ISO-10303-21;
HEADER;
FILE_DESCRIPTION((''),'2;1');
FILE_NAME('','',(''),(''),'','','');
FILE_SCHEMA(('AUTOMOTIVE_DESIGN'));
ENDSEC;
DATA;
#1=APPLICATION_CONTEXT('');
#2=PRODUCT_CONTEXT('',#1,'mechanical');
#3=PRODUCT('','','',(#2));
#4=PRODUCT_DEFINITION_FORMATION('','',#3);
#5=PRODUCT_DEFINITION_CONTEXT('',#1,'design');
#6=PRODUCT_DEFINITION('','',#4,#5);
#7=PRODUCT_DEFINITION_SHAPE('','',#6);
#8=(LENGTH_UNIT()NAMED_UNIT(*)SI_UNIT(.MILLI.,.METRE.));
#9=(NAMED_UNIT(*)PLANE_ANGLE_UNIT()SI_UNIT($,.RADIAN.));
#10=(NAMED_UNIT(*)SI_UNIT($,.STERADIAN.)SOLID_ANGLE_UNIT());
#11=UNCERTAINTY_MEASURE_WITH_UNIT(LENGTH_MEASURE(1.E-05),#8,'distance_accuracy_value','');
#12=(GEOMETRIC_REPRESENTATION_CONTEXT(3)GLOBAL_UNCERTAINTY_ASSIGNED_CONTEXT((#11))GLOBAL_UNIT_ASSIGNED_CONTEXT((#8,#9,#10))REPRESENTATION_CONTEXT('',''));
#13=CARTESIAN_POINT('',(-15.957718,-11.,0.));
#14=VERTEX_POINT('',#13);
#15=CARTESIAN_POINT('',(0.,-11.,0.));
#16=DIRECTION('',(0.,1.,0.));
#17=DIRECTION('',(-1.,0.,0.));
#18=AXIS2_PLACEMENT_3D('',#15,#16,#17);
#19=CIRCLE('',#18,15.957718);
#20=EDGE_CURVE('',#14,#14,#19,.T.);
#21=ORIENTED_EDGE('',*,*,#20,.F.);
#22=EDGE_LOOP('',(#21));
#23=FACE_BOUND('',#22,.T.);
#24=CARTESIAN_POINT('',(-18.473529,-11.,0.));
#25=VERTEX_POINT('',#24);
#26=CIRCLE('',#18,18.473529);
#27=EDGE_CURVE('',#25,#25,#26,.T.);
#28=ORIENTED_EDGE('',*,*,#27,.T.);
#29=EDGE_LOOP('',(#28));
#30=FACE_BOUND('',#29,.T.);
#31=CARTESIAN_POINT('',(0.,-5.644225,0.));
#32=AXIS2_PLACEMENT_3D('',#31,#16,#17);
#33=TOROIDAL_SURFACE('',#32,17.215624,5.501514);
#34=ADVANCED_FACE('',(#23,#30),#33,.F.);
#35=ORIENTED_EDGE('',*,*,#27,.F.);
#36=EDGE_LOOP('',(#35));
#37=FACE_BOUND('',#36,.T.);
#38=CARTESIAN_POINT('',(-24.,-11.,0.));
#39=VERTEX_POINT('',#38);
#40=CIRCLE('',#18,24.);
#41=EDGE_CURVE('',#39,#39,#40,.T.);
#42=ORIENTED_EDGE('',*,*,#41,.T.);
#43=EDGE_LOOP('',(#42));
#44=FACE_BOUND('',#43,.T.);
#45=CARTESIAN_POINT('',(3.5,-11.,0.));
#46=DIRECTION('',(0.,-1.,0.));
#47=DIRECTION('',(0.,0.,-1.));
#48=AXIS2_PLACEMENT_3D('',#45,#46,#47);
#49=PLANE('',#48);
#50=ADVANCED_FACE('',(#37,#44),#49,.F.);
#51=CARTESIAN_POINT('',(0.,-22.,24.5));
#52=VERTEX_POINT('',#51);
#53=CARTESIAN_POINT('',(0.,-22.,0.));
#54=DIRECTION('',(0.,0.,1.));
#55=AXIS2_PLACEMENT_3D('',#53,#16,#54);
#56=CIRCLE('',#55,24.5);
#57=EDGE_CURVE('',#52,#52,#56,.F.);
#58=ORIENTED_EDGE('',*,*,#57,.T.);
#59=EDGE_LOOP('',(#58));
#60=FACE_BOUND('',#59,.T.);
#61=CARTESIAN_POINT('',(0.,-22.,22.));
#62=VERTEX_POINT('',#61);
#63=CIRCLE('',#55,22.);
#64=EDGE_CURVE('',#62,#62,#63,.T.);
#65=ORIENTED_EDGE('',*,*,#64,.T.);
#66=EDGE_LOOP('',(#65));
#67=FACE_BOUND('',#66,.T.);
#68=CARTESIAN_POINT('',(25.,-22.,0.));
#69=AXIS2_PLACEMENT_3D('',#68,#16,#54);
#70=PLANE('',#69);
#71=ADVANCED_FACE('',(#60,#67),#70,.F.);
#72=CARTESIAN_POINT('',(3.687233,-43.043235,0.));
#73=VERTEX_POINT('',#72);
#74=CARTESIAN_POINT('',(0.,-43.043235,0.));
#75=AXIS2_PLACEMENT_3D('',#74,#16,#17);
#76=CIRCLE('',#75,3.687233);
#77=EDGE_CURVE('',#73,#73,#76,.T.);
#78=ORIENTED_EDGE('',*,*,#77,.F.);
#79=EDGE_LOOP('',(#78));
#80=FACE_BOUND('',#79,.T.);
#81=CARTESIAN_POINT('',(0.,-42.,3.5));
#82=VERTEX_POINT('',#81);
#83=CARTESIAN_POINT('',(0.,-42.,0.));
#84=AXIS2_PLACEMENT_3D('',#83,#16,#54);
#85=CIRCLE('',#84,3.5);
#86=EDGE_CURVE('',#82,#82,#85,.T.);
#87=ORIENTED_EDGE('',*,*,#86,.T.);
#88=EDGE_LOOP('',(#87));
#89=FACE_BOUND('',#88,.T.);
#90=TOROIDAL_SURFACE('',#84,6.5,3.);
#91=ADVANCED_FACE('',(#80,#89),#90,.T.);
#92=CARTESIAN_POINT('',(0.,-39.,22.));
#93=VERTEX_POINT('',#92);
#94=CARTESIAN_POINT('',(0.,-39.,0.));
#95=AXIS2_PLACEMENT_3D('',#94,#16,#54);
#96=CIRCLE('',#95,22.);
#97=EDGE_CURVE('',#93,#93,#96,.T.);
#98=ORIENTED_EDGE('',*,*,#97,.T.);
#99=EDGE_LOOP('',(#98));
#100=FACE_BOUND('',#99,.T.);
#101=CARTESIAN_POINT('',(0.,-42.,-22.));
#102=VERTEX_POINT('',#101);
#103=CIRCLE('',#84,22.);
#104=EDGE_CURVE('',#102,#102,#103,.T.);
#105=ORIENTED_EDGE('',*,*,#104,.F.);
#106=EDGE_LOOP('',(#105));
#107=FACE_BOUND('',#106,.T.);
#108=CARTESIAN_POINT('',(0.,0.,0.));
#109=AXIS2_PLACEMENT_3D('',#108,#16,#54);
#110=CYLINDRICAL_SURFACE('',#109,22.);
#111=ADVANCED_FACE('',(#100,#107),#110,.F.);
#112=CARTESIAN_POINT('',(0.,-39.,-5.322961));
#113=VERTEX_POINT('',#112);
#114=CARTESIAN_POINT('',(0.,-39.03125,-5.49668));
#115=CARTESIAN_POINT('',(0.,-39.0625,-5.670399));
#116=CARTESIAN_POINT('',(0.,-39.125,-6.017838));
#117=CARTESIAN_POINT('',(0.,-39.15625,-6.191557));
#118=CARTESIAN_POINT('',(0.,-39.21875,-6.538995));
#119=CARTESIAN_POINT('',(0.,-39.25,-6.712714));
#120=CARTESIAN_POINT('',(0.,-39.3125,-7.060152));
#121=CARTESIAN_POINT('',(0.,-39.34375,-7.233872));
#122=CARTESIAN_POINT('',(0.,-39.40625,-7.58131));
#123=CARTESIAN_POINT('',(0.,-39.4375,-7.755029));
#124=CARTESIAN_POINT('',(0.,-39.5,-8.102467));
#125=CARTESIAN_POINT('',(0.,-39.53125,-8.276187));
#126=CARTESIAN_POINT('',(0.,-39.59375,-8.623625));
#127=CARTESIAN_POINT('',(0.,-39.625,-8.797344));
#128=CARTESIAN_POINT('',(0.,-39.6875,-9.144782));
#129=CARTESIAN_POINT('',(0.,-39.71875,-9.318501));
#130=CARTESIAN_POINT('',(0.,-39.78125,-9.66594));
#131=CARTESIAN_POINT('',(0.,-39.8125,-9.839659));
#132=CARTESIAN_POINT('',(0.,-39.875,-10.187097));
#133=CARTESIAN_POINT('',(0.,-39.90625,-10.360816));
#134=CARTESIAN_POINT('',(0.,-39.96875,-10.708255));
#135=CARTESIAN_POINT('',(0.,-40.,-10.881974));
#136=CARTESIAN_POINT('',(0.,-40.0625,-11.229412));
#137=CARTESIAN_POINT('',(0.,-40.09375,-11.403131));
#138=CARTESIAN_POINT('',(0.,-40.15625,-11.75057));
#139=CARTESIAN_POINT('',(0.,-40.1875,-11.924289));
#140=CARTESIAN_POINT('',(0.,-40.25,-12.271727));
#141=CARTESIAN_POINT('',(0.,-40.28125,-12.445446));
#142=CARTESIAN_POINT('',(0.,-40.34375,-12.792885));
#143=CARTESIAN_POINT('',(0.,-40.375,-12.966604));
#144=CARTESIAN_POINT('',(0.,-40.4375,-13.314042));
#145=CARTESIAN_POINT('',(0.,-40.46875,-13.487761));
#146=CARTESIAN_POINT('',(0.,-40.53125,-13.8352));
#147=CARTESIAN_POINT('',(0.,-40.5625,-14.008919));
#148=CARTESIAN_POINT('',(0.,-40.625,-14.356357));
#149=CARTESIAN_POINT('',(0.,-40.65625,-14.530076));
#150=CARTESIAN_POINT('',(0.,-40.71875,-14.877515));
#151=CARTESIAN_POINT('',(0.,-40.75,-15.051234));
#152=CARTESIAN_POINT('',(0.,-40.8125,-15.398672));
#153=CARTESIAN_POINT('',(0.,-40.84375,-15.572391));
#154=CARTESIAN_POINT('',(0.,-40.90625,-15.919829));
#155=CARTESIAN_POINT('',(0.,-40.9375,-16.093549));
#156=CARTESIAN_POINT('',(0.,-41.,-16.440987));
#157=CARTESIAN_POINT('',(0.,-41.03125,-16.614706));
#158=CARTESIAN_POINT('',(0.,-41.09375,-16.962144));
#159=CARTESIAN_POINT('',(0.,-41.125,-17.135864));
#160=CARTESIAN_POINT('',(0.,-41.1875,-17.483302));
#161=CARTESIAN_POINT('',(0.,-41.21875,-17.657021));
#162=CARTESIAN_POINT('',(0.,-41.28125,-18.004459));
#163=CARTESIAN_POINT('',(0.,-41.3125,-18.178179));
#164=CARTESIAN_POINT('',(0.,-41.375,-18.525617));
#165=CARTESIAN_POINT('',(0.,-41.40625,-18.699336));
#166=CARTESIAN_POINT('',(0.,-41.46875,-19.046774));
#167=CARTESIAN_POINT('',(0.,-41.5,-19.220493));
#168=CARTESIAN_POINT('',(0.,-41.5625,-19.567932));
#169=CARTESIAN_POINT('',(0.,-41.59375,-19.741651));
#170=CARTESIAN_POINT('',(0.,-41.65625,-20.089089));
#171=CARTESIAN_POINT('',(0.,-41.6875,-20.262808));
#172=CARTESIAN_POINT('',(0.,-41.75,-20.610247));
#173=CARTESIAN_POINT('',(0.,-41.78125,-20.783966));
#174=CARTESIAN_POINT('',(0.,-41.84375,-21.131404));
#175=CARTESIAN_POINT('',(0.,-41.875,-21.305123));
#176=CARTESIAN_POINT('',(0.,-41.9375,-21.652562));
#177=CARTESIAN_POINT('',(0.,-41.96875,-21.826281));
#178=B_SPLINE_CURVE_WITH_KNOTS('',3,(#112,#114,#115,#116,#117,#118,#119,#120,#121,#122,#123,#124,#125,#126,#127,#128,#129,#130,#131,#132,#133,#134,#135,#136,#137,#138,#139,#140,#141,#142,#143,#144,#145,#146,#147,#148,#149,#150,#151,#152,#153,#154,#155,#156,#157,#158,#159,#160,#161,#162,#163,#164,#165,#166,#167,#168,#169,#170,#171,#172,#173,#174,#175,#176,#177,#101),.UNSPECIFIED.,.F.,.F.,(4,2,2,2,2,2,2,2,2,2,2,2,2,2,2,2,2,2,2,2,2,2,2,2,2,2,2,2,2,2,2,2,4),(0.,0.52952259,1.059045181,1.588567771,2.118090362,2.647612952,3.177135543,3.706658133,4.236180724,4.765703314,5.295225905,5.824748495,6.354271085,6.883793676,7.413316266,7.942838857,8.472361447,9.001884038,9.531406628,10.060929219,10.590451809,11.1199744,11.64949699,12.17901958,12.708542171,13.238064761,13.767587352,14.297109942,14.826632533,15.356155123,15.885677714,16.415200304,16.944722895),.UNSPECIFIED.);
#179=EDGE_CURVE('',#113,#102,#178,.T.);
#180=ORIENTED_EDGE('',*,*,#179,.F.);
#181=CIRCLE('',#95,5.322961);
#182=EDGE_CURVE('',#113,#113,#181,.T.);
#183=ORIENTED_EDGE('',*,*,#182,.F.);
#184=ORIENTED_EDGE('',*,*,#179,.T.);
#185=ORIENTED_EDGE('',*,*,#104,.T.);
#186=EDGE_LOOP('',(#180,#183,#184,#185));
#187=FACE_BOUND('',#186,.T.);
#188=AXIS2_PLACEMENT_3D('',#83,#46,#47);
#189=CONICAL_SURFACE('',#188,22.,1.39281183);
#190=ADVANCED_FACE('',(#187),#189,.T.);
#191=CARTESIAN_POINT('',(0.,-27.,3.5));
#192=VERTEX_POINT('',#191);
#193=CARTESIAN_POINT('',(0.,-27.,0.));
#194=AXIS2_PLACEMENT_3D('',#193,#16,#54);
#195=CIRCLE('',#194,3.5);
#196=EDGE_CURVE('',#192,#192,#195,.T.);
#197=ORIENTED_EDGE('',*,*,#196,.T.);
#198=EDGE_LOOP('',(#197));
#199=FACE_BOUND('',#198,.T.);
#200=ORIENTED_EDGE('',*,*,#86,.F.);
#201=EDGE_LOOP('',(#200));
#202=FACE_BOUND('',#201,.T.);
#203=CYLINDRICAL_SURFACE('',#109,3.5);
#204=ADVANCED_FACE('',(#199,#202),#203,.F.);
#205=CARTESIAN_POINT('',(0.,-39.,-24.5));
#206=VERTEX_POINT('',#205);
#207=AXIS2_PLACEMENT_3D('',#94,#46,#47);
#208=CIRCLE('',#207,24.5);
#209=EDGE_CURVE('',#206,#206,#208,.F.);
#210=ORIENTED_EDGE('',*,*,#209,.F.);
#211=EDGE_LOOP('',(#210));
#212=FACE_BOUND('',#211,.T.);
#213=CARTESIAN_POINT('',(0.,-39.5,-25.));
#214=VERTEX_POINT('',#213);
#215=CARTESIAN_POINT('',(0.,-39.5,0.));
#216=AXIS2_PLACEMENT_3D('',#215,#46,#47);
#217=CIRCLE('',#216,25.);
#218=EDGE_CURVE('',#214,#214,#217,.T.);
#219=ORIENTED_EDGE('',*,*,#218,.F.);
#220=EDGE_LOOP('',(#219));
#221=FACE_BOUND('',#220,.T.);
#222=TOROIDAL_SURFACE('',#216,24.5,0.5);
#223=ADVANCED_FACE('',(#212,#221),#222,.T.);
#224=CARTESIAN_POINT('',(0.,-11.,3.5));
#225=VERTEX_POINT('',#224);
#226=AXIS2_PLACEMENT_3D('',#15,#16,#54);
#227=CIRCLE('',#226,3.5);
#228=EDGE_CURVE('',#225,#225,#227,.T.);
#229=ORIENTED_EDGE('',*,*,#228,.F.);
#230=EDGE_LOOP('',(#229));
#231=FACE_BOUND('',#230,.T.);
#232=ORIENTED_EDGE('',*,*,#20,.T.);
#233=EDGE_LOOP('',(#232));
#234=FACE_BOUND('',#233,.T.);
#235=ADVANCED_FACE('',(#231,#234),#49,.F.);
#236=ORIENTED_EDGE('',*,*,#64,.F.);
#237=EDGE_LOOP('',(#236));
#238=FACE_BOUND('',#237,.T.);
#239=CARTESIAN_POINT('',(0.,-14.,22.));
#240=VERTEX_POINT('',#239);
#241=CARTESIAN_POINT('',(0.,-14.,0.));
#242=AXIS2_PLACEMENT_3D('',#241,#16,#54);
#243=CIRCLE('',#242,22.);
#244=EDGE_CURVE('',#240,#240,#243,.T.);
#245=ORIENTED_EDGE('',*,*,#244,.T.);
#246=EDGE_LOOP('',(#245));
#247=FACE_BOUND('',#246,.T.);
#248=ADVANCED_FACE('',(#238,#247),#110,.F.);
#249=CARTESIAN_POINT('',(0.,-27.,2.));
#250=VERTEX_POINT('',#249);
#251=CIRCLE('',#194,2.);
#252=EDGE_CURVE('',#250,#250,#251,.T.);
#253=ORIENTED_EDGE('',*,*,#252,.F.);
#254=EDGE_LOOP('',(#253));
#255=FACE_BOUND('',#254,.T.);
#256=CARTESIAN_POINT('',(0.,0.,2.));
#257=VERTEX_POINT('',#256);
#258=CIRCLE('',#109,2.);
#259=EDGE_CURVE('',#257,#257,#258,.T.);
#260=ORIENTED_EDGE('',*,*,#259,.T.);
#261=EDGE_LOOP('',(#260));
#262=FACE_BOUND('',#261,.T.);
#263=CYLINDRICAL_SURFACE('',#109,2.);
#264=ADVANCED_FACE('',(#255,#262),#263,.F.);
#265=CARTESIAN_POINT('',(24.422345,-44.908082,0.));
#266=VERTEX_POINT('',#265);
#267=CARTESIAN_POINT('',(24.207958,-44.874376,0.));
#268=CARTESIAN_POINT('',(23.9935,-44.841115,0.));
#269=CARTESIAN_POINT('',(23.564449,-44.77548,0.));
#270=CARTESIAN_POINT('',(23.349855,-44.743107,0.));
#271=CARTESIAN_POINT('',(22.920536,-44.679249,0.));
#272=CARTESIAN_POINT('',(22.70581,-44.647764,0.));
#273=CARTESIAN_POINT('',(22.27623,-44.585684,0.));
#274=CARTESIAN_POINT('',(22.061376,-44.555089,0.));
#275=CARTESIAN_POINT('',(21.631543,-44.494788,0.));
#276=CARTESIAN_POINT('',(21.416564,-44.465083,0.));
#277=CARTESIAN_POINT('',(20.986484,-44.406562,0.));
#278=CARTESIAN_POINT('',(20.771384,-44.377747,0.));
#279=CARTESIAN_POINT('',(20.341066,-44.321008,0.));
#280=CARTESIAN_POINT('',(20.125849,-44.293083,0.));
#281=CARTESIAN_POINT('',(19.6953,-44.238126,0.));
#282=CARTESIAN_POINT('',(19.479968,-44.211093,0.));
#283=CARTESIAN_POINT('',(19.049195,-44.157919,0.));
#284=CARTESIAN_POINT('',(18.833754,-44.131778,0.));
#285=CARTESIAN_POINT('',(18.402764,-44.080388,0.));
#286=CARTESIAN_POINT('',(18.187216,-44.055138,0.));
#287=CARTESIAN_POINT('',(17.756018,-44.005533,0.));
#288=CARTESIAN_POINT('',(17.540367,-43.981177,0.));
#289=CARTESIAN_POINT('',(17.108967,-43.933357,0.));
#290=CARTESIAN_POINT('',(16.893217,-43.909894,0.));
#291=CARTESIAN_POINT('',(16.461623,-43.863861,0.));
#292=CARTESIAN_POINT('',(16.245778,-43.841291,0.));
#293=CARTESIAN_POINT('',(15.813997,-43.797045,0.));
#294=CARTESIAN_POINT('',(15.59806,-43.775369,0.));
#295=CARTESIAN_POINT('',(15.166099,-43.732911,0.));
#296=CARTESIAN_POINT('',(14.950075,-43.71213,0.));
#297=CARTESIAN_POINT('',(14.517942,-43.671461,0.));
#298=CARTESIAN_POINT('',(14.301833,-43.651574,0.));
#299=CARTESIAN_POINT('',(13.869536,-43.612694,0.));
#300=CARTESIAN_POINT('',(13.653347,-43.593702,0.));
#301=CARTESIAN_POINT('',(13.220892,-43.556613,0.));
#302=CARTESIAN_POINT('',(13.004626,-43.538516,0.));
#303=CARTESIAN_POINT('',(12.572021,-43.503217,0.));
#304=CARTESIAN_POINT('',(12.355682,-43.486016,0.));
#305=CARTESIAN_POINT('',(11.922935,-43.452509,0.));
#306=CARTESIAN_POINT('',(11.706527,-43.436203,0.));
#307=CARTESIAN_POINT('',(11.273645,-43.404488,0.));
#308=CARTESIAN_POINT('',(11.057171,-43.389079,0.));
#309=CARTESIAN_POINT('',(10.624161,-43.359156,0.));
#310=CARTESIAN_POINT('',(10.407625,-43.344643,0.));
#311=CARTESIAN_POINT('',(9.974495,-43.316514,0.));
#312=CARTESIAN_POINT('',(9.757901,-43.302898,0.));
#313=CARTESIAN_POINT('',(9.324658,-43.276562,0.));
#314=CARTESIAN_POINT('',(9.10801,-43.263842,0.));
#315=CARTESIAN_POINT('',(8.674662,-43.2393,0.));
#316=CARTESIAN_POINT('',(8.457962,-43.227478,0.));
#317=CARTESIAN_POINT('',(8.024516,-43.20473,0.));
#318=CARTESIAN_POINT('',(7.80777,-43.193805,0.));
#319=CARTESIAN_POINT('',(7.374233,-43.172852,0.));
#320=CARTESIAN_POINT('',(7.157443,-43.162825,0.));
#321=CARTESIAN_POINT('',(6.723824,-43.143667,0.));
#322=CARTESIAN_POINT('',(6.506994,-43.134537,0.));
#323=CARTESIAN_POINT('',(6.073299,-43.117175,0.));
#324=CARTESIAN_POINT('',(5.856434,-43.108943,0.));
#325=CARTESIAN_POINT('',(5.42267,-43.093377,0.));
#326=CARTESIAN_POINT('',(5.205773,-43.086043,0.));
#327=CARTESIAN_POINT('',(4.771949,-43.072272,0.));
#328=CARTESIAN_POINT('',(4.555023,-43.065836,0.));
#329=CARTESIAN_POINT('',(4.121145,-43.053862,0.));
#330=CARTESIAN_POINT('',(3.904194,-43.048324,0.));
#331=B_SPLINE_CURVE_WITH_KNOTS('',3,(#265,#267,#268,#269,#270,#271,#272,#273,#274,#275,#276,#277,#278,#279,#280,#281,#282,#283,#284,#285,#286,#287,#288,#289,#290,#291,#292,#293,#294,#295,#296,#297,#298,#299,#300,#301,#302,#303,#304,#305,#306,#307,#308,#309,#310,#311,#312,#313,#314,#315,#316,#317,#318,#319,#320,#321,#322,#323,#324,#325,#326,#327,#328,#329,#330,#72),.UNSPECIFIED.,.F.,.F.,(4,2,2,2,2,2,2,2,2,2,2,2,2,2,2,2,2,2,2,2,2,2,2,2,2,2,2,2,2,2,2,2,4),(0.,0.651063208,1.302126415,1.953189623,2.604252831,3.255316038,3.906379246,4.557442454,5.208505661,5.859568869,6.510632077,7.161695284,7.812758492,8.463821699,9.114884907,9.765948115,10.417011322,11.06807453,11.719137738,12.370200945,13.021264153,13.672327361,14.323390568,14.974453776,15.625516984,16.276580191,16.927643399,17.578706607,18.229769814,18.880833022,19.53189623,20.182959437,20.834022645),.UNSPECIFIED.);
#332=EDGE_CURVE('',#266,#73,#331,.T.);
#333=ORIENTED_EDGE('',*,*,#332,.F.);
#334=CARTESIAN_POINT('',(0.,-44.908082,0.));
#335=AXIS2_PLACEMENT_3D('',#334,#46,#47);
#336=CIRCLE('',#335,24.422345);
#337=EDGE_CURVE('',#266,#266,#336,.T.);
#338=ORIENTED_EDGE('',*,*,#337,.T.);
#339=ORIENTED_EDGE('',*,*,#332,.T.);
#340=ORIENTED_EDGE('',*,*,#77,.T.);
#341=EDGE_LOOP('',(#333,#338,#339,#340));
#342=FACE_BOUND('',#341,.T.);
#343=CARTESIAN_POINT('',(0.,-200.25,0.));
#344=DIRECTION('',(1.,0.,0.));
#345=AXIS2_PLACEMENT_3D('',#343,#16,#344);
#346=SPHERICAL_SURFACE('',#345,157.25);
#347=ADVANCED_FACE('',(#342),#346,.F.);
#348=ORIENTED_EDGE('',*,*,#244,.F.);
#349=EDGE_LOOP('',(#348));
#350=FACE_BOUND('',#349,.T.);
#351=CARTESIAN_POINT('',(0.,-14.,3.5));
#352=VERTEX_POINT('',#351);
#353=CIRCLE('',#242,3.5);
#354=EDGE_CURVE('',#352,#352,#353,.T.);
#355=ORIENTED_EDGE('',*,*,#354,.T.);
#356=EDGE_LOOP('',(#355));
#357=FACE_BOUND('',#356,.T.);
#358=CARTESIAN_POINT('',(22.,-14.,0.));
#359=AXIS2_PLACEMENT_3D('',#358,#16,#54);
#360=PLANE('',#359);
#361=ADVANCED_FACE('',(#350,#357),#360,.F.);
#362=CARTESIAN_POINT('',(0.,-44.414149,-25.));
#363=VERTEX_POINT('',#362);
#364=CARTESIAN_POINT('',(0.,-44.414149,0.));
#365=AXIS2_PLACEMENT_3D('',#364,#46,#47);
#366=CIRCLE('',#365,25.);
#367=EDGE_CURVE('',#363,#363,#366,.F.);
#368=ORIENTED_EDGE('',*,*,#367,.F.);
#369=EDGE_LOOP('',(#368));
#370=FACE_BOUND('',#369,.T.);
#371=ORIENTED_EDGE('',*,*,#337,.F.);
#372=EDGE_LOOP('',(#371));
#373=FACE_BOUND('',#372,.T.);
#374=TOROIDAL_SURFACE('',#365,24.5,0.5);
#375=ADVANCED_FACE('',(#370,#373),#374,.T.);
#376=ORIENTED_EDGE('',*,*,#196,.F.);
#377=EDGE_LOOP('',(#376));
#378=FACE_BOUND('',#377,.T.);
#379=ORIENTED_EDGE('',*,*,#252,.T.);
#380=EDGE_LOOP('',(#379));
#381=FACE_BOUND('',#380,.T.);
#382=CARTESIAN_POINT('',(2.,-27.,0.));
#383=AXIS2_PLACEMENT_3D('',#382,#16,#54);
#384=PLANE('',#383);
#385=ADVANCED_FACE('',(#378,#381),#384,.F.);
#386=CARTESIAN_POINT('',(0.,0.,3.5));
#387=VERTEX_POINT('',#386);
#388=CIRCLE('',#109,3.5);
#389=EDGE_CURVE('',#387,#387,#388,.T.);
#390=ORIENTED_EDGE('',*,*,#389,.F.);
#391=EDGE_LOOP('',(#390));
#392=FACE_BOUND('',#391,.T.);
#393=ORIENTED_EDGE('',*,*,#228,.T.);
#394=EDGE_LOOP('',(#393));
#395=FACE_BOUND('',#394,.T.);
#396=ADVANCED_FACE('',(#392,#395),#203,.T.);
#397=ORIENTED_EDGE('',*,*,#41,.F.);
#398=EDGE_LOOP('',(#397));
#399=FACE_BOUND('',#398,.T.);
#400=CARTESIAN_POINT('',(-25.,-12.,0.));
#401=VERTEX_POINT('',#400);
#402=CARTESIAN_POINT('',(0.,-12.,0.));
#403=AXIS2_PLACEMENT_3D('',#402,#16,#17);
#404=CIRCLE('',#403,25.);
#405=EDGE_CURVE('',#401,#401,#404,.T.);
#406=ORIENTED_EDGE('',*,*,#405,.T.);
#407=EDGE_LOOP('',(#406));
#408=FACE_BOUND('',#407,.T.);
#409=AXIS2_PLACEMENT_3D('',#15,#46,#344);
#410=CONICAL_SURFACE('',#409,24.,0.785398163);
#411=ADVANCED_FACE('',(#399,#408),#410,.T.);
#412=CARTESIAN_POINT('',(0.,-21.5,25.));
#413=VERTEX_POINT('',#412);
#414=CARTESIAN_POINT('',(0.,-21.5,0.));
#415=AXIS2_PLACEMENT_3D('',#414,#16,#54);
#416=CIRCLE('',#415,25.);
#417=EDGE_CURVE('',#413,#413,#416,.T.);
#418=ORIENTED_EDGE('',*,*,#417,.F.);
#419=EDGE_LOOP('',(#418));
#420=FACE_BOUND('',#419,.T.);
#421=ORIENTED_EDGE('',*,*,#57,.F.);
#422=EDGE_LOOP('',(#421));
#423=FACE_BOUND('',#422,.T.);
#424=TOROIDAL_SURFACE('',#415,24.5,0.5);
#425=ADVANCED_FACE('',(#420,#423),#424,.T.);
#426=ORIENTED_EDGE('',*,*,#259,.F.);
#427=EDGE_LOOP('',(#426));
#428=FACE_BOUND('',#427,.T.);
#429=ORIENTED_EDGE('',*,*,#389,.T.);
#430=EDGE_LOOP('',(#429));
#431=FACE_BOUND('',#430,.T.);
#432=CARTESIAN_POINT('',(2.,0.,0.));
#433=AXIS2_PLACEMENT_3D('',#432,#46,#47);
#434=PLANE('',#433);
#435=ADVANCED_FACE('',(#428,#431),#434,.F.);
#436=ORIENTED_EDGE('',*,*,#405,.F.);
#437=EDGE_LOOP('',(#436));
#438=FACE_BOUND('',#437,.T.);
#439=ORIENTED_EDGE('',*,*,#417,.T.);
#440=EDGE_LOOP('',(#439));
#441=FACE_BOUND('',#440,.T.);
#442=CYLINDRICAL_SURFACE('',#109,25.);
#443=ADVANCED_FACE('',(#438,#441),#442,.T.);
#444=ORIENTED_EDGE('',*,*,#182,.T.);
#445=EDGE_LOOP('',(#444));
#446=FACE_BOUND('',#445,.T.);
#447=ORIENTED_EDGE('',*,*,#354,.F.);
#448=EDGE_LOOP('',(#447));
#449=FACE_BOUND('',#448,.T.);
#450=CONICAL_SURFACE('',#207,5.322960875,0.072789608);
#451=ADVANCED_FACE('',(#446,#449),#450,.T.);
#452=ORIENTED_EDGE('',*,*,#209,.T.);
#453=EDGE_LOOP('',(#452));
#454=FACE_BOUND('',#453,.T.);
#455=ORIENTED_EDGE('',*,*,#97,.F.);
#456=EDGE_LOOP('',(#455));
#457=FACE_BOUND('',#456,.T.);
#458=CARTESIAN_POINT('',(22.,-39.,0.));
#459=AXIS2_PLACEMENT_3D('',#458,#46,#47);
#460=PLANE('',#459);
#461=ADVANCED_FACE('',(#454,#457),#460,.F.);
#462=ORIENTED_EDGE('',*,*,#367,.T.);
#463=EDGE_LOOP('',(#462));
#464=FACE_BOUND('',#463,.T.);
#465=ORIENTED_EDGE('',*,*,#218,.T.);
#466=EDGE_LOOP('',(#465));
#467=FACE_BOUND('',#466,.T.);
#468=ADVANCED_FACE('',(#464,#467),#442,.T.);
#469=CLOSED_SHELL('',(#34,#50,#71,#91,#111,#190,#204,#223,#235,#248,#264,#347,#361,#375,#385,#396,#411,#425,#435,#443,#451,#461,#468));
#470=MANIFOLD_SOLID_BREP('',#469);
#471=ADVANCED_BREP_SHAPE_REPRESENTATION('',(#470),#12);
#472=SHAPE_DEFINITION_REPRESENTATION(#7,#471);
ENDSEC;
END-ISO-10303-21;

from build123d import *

# Parameters (mm, degrees)
FILLET_1_R = 0.5


with BuildPart() as part:
    # 草图1 → 旋转1 (revolve)
    with BuildSketch(Plane.XY, mode=Mode.PRIVATE) as revolve_1_sk:
        with BuildLine():
            Line((2, 0), (2, -27))
            Line((2, -27), (3.5, -27))
            Line((3.5, -27), (3.5, -42))
            ThreePointArc((3.5, -42), (4.378679656, -44.121320344), (6.5, -45))
            Line((6.5, -45), (25, -45))
            Line((25, -45), (25, -39))
            Line((25, -39), (22, -39))
            Line((22, -39), (22, -42))
            Line((22, -42), (5.322960875, -39))
            Line((5.322960875, -39), (3.5, -14))
            Line((3.5, -14), (22, -14))
            Line((22, -14), (22, -22))
            Line((22, -22), (25, -22))
            Line((25, -22), (25, -11))
            Line((25, -11), (3.5, -11))
            Line((3.5, -11), (3.5, 0))
            Line((3.5, 0), (2, 0))
        make_face()
    revolve(revolve_1_sk.sketch.rotate(Axis((0, 0, 0), (0, -1, 0)), 90), axis=Axis((0, 0, 0), (0, -1, 0)))

    # 草图2 → 切除-旋转1 (revolve, cut)
    with BuildSketch(Plane.XY, mode=Mode.PRIVATE) as cut_revolve_1_sk:
        Polygon((24, -11), (25, -11), (25, -12), align=None)
        with BuildLine():
            Line((15.957718437, -11), (18.473529007, -11))
            ThreePointArc((18.473529007, -11), (17.215623722, -11.145738564), (15.957718437, -11))
        make_face()
        with BuildLine():
            Line((0, -43), (0, -45))
            Line((0, -45), (25, -45))
            ThreePointArc((25, -45), (12.539936204, -43.50079745), (0, -43))
        make_face()
    revolve(cut_revolve_1_sk.sketch.rotate(Axis((0, 0, 0), (0, -1, 0)), 180), axis=Axis((0, 0, 0), (0, -1, 0)), mode=Mode.SUBTRACT)

    # 圆角1
    fillet_1_edges = [part.edges().sort_by_distance(p)[0] for p in [
        (0, -39, -25),
        (0, -22, -25),
        (17.67766953, -45, -17.67766953),
    ]]
    fillet(fillet_1_edges, radius=FILLET_1_R)


solid = part.part
